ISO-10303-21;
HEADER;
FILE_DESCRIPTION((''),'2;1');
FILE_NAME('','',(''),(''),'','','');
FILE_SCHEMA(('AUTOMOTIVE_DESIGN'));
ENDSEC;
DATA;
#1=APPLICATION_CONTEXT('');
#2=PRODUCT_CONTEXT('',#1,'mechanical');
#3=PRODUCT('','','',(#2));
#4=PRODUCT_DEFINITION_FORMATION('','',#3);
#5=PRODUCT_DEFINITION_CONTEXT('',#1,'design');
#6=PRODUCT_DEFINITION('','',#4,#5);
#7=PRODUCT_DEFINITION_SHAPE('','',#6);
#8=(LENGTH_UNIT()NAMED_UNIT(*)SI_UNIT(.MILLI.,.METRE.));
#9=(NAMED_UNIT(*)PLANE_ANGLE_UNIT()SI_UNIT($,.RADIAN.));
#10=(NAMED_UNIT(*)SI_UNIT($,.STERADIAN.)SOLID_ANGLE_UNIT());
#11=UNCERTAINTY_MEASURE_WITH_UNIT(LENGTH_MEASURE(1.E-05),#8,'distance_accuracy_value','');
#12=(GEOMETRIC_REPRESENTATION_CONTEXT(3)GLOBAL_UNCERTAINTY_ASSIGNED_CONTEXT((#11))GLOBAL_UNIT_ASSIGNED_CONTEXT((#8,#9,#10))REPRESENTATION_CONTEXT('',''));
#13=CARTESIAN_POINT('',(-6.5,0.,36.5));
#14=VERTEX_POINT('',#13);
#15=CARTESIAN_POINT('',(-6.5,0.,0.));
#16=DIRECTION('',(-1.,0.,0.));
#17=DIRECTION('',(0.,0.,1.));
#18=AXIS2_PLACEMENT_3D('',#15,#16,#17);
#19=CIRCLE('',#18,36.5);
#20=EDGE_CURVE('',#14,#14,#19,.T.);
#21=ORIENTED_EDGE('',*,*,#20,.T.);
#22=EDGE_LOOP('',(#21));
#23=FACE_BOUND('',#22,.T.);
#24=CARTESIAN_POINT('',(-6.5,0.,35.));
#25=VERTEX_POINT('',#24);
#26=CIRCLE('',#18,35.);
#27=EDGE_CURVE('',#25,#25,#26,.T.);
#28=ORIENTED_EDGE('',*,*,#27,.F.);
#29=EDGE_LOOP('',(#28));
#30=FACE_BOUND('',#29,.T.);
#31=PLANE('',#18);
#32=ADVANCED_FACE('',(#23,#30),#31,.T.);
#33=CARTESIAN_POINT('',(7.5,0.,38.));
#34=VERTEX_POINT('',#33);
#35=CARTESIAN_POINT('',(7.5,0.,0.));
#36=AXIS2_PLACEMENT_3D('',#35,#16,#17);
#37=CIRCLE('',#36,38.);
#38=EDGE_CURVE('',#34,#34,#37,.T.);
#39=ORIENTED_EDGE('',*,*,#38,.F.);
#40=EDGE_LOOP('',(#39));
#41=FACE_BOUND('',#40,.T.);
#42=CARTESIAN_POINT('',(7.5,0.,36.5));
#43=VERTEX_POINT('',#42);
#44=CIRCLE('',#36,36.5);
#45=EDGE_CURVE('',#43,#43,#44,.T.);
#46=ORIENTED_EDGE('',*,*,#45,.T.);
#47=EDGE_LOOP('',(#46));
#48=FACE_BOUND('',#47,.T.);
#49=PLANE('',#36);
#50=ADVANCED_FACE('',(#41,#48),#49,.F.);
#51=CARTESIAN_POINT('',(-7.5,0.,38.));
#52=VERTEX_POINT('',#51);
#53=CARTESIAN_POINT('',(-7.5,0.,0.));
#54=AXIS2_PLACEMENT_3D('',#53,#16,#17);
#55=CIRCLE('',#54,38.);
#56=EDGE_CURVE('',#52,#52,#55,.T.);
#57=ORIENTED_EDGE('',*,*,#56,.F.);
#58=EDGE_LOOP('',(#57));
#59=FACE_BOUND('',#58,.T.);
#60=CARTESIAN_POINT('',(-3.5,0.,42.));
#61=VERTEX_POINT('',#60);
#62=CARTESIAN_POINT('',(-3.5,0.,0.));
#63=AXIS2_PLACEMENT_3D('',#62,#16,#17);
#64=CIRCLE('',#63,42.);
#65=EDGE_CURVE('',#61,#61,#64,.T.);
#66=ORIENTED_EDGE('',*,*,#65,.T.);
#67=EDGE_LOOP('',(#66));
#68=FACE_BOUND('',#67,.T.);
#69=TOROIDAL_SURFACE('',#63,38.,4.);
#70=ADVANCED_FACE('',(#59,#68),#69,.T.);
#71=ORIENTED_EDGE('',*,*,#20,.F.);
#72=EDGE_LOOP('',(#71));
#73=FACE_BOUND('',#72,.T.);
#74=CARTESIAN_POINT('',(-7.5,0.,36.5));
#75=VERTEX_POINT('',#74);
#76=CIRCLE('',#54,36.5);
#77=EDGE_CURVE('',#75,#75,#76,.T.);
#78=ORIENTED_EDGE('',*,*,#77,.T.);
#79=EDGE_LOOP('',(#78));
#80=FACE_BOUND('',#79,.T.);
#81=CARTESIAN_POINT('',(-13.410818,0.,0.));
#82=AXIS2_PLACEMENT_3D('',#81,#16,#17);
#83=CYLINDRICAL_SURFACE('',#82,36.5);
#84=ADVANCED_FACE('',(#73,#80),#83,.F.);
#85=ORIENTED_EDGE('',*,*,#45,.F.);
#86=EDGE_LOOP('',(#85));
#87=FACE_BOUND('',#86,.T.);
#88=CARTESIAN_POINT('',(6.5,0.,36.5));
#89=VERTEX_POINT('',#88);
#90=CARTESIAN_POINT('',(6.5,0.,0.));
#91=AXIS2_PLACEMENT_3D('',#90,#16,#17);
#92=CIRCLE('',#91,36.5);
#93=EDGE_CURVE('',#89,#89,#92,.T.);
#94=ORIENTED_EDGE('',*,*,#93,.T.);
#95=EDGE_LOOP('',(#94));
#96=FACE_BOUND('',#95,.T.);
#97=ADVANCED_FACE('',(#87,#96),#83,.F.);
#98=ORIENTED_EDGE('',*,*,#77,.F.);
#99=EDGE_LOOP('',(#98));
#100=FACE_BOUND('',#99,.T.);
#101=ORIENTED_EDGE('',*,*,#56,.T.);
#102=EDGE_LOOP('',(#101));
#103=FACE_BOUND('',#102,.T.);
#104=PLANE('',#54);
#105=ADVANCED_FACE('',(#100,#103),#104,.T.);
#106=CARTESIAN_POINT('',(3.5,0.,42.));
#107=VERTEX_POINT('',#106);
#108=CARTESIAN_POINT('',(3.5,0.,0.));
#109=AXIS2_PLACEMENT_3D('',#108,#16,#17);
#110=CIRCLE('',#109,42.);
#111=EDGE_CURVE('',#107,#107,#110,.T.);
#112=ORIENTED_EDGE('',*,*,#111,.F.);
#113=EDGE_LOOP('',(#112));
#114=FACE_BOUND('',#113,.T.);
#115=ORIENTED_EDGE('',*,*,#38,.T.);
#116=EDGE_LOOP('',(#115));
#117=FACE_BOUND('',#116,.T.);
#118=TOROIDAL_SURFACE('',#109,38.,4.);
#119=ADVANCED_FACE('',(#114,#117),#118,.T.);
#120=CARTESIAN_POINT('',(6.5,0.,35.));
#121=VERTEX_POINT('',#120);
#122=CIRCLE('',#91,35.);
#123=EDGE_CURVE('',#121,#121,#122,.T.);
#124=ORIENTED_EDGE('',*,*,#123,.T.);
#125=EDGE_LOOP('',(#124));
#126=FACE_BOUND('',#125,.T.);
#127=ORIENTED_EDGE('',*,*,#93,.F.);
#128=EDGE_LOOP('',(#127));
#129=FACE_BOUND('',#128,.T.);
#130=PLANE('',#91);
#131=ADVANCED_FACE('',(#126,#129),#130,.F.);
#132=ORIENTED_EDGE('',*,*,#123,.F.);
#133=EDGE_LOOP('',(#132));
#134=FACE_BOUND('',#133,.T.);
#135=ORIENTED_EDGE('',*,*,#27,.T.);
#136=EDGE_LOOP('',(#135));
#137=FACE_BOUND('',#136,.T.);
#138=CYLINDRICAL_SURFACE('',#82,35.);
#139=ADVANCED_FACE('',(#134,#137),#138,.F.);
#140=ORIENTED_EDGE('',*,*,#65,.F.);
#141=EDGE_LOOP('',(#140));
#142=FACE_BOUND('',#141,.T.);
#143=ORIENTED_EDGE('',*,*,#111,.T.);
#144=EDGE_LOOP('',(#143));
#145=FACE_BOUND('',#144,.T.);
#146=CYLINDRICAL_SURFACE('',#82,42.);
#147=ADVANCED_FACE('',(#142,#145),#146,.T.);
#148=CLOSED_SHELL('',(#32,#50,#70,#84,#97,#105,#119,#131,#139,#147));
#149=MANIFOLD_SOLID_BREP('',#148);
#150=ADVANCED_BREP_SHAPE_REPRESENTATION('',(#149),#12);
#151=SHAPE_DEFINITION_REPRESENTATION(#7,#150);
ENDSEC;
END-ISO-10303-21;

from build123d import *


with BuildPart() as part:
    # Sketch1 → Revolve1 (revolve)
    with BuildSketch(Plane.XY, mode=Mode.PRIVATE) as revolve1_sk:
        with BuildLine():
            Line((-3.5, 42), (3.5, 42))
            ThreePointArc((3.5, 42), (6.328427125, 40.828427125), (7.5, 38))
            Line((7.5, 38), (7.5, 36.5))
            Line((7.5, 36.5), (6.5, 36.5))
            Line((6.5, 36.5), (6.5, 35))
            Line((6.5, 35), (-6.5, 35))
            Line((-6.5, 35), (-6.5, 36.5))
            Line((-6.5, 36.5), (-7.5, 36.5))
            Line((-7.5, 36.5), (-7.5, 38))
            ThreePointArc((-7.5, 38), (-6.328427125, 40.828427125), (-3.5, 42))
        make_face()
        Polygon((-2.542209765, 42), (-3.292209765, 42), (-3.292209765, 41), (-1.792209765, 41), (-1.792209765, 42), align=None)
        Polygon((3.207790235, 41), (3.207790235, 42), (2.457790235, 42), (1.707790235, 42), (1.707790235, 41), align=None)
    revolve(revolve1_sk.sketch.rotate(Axis((-13.410818461, 0, 0), (1, 0, 0)), 90), axis=Axis((-13.410818461, 0, 0), (1, 0, 0)))


solid = part.part
